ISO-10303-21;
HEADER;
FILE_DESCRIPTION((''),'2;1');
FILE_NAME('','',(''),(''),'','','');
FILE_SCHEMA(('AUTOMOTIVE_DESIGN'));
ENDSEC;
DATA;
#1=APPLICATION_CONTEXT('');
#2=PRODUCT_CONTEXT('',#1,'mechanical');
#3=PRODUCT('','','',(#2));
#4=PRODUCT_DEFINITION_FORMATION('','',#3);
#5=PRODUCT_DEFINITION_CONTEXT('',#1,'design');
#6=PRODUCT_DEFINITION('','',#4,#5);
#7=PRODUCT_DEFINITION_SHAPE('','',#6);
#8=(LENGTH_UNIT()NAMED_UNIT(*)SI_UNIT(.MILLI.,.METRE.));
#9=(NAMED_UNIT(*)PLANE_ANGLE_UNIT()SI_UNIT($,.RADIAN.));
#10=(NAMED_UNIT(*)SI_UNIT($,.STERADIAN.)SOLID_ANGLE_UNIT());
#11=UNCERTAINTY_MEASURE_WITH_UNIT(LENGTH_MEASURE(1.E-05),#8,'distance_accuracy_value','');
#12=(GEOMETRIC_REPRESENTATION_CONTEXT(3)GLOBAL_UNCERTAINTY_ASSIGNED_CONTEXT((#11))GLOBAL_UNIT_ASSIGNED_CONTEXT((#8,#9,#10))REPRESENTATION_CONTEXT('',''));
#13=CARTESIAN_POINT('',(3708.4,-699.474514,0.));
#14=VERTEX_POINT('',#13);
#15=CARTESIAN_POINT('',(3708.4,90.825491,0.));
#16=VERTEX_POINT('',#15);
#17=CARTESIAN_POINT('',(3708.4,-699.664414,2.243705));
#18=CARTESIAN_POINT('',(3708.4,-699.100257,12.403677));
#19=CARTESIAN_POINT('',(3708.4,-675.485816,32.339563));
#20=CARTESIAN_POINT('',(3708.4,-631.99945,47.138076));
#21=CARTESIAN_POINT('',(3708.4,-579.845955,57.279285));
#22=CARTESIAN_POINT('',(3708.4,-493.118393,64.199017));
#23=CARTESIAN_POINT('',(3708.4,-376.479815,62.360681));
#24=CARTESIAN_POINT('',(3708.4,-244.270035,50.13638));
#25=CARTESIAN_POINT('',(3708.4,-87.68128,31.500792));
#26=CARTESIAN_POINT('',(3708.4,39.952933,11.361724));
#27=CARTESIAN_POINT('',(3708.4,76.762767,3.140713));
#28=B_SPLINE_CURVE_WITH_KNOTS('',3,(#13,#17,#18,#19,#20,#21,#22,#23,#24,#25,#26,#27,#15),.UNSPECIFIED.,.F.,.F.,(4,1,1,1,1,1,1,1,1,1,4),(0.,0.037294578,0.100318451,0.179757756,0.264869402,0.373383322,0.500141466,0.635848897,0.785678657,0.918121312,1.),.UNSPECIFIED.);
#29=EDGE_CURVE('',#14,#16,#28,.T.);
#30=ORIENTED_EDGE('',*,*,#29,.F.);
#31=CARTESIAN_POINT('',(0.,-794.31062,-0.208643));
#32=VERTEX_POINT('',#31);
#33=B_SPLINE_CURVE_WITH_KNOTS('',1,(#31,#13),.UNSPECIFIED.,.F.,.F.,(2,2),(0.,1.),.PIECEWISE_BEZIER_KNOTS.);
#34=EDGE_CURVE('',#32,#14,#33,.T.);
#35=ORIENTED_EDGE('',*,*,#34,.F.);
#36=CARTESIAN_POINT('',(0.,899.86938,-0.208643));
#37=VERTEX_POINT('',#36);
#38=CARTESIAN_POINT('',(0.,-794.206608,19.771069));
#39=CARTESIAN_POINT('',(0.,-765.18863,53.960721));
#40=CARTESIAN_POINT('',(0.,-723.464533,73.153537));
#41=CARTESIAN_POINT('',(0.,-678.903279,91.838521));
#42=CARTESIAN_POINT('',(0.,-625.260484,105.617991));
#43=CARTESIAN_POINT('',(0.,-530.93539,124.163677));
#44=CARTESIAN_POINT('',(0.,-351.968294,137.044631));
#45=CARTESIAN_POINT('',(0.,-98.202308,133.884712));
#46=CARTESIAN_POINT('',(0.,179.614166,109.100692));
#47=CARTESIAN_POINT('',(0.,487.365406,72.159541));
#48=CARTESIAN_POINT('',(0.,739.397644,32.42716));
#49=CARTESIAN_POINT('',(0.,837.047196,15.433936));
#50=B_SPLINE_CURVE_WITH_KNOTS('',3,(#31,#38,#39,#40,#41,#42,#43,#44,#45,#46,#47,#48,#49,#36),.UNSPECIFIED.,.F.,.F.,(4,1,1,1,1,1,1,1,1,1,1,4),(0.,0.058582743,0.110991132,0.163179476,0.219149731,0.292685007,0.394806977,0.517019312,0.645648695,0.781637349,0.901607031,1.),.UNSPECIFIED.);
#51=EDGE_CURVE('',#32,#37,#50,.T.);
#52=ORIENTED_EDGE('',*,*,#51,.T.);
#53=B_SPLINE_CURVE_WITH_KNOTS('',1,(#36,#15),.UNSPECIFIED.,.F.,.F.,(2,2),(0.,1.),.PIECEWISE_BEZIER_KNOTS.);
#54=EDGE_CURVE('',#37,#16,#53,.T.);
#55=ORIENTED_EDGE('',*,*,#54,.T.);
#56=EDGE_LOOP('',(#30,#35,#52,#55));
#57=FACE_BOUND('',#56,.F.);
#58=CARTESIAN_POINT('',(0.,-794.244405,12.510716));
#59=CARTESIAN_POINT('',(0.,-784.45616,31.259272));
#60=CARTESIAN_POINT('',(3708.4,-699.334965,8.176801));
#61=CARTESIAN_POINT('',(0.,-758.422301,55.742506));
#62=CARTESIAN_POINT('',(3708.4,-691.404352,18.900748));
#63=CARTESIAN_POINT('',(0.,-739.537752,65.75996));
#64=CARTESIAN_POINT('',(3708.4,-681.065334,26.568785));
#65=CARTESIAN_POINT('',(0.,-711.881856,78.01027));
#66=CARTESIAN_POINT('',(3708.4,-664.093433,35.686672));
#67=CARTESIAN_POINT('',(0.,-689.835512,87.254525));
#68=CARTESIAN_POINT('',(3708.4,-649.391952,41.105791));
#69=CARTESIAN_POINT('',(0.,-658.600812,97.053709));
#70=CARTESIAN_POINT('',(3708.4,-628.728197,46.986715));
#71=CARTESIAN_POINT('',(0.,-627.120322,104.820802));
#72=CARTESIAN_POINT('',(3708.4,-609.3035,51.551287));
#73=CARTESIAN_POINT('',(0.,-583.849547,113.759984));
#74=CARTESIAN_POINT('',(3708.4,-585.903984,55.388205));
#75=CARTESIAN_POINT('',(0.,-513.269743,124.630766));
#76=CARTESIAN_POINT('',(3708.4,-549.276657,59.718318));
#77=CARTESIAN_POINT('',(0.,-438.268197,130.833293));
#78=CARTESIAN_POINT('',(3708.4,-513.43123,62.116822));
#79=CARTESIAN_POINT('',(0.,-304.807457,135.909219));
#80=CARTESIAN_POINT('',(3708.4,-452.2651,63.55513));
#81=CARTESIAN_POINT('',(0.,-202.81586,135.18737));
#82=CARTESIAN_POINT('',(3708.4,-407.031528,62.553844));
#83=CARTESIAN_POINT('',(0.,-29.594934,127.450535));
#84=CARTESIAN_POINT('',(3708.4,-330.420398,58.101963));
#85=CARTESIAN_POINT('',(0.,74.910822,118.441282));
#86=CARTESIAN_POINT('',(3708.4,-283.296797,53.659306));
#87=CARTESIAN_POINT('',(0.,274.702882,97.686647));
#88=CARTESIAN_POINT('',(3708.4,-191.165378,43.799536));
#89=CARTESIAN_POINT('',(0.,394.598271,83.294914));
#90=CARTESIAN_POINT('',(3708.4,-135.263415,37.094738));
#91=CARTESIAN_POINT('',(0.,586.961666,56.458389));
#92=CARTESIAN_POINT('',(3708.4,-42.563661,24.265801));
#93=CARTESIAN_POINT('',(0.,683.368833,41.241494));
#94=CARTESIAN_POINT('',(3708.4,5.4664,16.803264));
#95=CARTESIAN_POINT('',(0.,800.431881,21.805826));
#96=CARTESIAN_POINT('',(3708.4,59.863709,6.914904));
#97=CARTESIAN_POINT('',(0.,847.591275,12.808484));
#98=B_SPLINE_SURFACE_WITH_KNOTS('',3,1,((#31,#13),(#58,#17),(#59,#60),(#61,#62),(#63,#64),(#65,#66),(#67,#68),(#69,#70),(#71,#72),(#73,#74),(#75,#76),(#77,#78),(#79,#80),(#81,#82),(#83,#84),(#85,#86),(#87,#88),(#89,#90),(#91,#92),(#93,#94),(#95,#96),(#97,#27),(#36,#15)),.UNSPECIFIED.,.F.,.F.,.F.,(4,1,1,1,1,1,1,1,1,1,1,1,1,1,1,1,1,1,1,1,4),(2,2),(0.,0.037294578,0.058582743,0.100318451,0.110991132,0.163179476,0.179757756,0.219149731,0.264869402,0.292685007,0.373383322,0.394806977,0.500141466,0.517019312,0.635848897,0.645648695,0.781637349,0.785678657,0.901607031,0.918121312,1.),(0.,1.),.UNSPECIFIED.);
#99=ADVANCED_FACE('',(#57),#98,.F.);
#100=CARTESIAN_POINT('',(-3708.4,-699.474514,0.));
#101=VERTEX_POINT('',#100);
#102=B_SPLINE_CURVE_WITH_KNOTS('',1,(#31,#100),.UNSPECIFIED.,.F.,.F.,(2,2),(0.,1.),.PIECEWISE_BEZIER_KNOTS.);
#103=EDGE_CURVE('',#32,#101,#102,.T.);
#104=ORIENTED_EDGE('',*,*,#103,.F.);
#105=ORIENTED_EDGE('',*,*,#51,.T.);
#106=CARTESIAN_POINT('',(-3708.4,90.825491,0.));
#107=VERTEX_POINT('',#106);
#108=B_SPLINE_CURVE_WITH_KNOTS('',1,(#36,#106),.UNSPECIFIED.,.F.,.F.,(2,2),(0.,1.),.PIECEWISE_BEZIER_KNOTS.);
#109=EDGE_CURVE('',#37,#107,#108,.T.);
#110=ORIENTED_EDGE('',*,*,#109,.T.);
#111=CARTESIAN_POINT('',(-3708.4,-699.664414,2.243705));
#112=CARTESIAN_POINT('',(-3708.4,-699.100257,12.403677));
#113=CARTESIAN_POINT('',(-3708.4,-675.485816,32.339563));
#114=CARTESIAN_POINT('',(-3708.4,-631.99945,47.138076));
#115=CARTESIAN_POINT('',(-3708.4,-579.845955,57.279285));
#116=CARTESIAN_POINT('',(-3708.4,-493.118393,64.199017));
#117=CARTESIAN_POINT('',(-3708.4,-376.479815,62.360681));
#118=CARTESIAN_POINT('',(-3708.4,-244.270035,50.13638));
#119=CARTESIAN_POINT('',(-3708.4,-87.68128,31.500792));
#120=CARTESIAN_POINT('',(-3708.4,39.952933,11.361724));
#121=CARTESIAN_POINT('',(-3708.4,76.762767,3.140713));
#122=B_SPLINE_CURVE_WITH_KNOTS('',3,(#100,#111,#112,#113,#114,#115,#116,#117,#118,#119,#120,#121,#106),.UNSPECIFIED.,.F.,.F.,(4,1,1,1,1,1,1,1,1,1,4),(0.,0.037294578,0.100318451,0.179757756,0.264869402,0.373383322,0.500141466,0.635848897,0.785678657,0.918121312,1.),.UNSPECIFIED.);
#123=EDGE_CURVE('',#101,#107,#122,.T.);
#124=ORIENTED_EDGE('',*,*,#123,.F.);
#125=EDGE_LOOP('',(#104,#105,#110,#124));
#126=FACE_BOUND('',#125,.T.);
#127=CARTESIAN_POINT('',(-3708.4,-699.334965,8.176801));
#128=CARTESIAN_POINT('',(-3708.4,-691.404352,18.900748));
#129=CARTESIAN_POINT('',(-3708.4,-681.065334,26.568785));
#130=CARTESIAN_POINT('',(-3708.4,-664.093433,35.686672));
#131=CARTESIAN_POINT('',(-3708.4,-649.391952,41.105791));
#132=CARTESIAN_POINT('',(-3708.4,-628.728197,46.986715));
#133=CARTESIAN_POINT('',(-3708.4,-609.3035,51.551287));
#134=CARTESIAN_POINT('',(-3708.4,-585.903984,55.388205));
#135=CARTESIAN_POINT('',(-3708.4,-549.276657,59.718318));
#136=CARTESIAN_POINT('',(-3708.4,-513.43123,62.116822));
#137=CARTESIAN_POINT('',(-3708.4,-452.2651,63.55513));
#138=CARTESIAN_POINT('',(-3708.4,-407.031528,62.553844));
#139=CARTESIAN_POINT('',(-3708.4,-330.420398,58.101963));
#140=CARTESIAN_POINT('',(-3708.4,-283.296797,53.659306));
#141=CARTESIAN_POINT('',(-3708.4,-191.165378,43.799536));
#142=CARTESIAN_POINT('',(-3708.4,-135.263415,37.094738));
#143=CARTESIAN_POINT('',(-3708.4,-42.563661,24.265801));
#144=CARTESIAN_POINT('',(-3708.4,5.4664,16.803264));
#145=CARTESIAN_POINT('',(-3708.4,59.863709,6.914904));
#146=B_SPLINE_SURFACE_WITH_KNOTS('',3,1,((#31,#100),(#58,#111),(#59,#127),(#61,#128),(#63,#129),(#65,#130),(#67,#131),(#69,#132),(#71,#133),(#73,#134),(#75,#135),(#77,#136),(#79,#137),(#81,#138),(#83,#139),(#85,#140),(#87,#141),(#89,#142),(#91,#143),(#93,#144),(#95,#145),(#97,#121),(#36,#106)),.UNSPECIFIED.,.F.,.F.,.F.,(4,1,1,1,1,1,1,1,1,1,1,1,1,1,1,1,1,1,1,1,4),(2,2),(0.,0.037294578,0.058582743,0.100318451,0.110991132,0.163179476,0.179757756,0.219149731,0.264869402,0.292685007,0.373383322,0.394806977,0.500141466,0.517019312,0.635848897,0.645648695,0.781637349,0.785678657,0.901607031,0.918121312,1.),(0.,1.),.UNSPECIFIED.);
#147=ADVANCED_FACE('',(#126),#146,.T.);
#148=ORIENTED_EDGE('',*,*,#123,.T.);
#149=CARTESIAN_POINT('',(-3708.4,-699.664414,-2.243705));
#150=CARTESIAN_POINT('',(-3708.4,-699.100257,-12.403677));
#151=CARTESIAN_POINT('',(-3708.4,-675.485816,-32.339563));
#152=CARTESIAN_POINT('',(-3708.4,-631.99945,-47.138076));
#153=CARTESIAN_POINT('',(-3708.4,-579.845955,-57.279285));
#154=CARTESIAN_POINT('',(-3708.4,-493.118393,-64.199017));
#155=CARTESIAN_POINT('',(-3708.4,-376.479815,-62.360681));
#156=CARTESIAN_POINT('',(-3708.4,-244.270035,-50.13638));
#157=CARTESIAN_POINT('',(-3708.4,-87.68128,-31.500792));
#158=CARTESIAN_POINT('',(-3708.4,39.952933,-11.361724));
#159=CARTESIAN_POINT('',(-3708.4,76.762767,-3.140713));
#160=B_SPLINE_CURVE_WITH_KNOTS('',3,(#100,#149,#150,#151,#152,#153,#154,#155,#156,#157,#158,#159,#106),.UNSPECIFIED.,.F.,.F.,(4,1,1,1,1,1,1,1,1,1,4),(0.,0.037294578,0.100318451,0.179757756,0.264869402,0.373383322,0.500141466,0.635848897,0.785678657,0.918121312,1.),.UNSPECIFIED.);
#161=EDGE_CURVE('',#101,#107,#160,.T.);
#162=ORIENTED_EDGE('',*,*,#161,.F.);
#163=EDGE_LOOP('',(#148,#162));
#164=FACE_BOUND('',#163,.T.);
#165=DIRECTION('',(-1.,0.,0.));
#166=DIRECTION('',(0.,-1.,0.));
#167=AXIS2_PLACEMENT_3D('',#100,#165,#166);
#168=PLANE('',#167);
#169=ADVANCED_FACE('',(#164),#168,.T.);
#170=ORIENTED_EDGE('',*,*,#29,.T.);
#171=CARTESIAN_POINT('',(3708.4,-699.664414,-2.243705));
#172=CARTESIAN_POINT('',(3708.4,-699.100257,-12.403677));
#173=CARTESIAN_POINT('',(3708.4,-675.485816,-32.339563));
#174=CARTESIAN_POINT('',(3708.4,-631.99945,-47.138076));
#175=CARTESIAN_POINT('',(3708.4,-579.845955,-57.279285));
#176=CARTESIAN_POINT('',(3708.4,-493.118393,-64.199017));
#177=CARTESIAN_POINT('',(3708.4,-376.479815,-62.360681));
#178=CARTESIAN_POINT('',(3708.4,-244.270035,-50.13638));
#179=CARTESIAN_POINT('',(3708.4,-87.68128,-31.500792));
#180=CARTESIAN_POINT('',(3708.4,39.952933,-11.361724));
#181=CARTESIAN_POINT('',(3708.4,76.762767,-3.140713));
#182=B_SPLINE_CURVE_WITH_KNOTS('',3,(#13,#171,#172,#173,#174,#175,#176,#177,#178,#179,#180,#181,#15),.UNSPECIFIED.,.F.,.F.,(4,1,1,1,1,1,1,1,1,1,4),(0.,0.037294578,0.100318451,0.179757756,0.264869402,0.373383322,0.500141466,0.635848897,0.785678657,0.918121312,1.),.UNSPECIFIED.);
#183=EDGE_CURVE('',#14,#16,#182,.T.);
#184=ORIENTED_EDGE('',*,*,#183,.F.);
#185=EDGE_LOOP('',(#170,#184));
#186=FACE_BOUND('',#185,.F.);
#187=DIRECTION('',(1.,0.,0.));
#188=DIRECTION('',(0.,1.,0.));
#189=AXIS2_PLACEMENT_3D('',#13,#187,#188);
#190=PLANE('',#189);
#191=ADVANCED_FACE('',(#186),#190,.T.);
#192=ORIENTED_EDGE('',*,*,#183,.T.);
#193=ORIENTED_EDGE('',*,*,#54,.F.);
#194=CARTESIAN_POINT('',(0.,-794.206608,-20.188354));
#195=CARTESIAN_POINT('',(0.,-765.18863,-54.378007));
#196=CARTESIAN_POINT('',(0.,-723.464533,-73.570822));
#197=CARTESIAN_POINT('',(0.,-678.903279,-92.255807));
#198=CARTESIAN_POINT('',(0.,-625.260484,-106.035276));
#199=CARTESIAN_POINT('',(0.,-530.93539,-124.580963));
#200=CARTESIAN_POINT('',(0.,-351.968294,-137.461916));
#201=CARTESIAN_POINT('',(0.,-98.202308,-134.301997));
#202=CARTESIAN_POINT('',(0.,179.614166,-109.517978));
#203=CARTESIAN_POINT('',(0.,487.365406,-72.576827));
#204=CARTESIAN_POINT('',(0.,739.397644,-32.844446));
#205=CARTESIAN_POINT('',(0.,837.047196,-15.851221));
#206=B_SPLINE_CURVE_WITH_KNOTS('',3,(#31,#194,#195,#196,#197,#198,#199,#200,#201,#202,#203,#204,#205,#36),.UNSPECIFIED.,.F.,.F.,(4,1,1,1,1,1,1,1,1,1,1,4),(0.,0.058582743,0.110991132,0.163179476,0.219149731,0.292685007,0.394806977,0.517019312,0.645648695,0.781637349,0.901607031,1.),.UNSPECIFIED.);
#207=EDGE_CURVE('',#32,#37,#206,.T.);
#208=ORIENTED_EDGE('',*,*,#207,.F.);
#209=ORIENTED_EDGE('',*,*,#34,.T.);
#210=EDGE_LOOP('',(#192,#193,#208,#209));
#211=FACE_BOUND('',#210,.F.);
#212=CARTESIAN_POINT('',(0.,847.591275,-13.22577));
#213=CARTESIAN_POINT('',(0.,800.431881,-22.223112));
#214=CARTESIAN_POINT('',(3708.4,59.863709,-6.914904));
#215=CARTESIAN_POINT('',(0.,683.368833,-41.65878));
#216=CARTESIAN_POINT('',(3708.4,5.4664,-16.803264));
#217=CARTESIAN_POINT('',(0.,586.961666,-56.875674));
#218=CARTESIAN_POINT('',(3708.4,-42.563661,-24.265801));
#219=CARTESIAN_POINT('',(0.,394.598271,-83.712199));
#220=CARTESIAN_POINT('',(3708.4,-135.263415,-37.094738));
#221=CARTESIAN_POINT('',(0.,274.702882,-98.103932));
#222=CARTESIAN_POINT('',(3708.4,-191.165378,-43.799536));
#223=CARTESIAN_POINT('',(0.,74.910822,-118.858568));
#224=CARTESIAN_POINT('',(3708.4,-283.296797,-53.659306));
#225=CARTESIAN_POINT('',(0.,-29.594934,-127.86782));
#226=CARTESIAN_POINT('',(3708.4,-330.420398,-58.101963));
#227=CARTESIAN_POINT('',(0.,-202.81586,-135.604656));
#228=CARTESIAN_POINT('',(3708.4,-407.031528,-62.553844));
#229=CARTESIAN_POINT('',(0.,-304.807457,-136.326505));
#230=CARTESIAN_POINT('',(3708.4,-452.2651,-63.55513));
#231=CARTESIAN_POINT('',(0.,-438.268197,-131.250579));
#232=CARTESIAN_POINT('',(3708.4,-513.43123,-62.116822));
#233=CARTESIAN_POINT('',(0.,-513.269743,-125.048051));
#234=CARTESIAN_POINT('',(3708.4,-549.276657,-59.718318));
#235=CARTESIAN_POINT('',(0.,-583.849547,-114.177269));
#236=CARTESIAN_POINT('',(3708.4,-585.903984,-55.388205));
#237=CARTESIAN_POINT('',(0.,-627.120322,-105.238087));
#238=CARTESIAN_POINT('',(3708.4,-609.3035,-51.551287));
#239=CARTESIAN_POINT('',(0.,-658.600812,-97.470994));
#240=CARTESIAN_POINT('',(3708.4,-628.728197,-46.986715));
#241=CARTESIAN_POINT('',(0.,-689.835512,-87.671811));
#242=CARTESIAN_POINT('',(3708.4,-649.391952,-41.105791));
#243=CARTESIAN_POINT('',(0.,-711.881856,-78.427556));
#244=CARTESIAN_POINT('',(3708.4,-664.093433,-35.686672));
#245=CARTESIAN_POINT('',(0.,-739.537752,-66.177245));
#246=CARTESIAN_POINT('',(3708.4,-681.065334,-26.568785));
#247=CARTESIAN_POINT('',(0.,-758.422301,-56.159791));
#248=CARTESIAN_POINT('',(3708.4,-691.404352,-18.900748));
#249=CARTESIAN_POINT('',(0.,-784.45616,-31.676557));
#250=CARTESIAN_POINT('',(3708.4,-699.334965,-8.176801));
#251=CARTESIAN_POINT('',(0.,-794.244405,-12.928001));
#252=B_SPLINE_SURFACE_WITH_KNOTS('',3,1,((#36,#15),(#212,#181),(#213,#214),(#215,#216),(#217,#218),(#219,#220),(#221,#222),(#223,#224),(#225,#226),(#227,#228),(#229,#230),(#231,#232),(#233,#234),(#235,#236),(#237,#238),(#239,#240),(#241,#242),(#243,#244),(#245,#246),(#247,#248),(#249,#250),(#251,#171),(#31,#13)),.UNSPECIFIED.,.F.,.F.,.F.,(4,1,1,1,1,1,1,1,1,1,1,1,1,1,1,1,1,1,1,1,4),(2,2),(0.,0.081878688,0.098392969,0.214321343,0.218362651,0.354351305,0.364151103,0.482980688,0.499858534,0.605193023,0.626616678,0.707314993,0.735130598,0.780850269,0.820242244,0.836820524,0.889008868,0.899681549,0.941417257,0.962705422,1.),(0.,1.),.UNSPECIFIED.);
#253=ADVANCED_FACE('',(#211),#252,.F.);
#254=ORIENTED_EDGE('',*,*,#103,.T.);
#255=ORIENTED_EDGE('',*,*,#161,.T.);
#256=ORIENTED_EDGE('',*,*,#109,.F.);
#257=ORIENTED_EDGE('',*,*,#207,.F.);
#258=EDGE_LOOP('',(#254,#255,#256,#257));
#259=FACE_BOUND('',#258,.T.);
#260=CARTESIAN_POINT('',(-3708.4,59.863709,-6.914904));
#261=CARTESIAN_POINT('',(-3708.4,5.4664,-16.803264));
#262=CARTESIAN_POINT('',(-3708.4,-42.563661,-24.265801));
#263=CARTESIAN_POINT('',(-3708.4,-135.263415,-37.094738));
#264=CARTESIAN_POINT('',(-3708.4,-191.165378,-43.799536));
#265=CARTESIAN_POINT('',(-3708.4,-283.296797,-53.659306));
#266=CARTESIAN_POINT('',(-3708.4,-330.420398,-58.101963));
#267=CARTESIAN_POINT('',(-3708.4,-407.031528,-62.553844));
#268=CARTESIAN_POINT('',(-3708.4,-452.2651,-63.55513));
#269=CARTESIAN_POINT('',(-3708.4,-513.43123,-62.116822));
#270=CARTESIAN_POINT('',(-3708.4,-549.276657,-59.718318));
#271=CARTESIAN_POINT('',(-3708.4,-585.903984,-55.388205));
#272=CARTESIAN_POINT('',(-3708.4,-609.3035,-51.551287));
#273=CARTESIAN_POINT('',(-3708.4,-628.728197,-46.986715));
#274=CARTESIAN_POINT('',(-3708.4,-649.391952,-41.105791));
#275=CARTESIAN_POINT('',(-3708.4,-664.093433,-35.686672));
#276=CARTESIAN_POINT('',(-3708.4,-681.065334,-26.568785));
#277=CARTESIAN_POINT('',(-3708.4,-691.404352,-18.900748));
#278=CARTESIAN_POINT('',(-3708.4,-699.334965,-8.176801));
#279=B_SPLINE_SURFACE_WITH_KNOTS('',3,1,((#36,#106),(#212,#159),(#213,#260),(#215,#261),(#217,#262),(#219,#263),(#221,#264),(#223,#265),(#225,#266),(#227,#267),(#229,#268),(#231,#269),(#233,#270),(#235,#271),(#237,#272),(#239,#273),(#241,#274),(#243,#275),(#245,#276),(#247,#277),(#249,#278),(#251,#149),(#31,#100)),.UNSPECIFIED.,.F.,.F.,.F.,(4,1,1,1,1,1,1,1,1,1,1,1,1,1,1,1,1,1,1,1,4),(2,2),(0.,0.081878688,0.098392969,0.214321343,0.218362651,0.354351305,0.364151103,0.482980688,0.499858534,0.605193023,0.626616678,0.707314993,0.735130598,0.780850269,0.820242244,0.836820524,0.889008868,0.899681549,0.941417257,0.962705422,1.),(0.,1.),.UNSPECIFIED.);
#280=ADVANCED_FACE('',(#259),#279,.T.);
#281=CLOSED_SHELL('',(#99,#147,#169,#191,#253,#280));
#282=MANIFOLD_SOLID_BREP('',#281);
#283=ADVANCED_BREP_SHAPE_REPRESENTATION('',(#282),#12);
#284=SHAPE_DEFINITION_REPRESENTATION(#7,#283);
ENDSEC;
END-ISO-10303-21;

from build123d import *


with BuildPart() as f5:
    # F2 (on Right) → F5 section 0
    with BuildSketch(Plane.YZ):
        with BuildLine():
            add(Edge.make_bspline(
                [(-794.310620105, -0.2086426975), (-794.2066084309, 19.7710686745), (-765.1886296508, 53.9607212546), (-723.4645327647, 73.1535368824), (-678.9032788369, 91.8385211821), (-625.2604842413, 105.617990986), (-530.9353899022, 124.1636773717), (-351.9682943942, 137.0446309852), (-98.2023075867, 133.8847117886), (179.6141664401, 109.1006923132), (487.3654062401, 72.159541435), (739.397643735, 32.4271601469), (837.0471957213, 15.4339355708), (899.869379895, -0.2086426975)],
                knots=[0, 0, 0, 0, 0.0585827428, 0.1109911319, 0.1631794757, 0.219149731, 0.2926850066, 0.3948069769, 0.5170193116, 0.6456486947, 0.7816373494, 0.9016070312, 1, 1, 1, 1], degree=3))
            add(Edge.make_bspline(
                [(-794.310620105, -0.2086426975), (-794.2066084309, -20.1883540695), (-765.1886296508, -54.3780066497), (-723.4645327647, -73.5708222775), (-678.9032788369, -92.2558065772), (-625.2604842413, -106.035276381), (-530.9353899022, -124.5809627668), (-351.9682943942, -137.4619163803), (-98.2023075867, -134.3019971837), (179.6141664401, -109.5179777083), (487.3654062401, -72.5768268301), (739.397643735, -32.844445542), (837.0471957213, -15.8512209659), (899.869379895, -0.2086426975)],
                knots=[0, 0, 0, 0, 0.0585827428, 0.1109911319, 0.1631794757, 0.219149731, 0.2926850066, 0.3948069769, 0.5170193116, 0.6456486947, 0.7816373494, 0.9016070312, 1, 1, 1, 1], degree=3))
        make_face()
    # F4 (on offset) → F5 section 1
    with BuildSketch(Plane.YZ.offset(3708.4)):
        with BuildLine():
            add(Edge.make_bspline(
                [(-699.4745135307, 0), (-699.664413929, 2.2437053267), (-699.1002572944, 12.4036769984), (-675.4858159827, 32.339563353), (-631.9994501148, 47.1380764165), (-579.8459551114, 57.2792850819), (-493.1183929109, 64.1990171166), (-376.4798150955, 62.3606810661), (-244.2700347073, 50.1363797055), (-87.6812795978, 31.5007918214), (39.9529329203, 11.361724099), (76.7627668152, 3.1407130987), (90.8254906535, 0)],
                knots=[0, 0, 0, 0, 0.0372945779, 0.1003184508, 0.1797577564, 0.2648694018, 0.3733833222, 0.5001414663, 0.635848897, 0.7856786568, 0.9181213125, 1, 1, 1, 1], degree=3))
            add(Edge.make_bspline(
                [(-699.4745135307, 0), (-699.664413929, -2.2437053267), (-699.1002572944, -12.4036769984), (-675.4858159827, -32.339563353), (-631.9994501148, -47.1380764165), (-579.8459551114, -57.2792850819), (-493.1183929109, -64.1990171166), (-376.4798150955, -62.3606810661), (-244.2700347073, -50.1363797055), (-87.6812795978, -31.5007918214), (39.9529329203, -11.361724099), (76.7627668152, -3.1407130987), (90.8254906535, 0)],
                knots=[0, 0, 0, 0, 0.0372945779, 0.1003184508, 0.1797577564, 0.2648694018, 0.3733833222, 0.5001414663, 0.635848897, 0.7856786568, 0.9181213125, 1, 1, 1, 1], degree=3))
        make_face()
    loft()

    # F6: F5 across plane


with BuildPart() as f5_1:
    add(f5.part)
    add(f5.part.mirror(Plane.YZ))


solid = f5_1.part
